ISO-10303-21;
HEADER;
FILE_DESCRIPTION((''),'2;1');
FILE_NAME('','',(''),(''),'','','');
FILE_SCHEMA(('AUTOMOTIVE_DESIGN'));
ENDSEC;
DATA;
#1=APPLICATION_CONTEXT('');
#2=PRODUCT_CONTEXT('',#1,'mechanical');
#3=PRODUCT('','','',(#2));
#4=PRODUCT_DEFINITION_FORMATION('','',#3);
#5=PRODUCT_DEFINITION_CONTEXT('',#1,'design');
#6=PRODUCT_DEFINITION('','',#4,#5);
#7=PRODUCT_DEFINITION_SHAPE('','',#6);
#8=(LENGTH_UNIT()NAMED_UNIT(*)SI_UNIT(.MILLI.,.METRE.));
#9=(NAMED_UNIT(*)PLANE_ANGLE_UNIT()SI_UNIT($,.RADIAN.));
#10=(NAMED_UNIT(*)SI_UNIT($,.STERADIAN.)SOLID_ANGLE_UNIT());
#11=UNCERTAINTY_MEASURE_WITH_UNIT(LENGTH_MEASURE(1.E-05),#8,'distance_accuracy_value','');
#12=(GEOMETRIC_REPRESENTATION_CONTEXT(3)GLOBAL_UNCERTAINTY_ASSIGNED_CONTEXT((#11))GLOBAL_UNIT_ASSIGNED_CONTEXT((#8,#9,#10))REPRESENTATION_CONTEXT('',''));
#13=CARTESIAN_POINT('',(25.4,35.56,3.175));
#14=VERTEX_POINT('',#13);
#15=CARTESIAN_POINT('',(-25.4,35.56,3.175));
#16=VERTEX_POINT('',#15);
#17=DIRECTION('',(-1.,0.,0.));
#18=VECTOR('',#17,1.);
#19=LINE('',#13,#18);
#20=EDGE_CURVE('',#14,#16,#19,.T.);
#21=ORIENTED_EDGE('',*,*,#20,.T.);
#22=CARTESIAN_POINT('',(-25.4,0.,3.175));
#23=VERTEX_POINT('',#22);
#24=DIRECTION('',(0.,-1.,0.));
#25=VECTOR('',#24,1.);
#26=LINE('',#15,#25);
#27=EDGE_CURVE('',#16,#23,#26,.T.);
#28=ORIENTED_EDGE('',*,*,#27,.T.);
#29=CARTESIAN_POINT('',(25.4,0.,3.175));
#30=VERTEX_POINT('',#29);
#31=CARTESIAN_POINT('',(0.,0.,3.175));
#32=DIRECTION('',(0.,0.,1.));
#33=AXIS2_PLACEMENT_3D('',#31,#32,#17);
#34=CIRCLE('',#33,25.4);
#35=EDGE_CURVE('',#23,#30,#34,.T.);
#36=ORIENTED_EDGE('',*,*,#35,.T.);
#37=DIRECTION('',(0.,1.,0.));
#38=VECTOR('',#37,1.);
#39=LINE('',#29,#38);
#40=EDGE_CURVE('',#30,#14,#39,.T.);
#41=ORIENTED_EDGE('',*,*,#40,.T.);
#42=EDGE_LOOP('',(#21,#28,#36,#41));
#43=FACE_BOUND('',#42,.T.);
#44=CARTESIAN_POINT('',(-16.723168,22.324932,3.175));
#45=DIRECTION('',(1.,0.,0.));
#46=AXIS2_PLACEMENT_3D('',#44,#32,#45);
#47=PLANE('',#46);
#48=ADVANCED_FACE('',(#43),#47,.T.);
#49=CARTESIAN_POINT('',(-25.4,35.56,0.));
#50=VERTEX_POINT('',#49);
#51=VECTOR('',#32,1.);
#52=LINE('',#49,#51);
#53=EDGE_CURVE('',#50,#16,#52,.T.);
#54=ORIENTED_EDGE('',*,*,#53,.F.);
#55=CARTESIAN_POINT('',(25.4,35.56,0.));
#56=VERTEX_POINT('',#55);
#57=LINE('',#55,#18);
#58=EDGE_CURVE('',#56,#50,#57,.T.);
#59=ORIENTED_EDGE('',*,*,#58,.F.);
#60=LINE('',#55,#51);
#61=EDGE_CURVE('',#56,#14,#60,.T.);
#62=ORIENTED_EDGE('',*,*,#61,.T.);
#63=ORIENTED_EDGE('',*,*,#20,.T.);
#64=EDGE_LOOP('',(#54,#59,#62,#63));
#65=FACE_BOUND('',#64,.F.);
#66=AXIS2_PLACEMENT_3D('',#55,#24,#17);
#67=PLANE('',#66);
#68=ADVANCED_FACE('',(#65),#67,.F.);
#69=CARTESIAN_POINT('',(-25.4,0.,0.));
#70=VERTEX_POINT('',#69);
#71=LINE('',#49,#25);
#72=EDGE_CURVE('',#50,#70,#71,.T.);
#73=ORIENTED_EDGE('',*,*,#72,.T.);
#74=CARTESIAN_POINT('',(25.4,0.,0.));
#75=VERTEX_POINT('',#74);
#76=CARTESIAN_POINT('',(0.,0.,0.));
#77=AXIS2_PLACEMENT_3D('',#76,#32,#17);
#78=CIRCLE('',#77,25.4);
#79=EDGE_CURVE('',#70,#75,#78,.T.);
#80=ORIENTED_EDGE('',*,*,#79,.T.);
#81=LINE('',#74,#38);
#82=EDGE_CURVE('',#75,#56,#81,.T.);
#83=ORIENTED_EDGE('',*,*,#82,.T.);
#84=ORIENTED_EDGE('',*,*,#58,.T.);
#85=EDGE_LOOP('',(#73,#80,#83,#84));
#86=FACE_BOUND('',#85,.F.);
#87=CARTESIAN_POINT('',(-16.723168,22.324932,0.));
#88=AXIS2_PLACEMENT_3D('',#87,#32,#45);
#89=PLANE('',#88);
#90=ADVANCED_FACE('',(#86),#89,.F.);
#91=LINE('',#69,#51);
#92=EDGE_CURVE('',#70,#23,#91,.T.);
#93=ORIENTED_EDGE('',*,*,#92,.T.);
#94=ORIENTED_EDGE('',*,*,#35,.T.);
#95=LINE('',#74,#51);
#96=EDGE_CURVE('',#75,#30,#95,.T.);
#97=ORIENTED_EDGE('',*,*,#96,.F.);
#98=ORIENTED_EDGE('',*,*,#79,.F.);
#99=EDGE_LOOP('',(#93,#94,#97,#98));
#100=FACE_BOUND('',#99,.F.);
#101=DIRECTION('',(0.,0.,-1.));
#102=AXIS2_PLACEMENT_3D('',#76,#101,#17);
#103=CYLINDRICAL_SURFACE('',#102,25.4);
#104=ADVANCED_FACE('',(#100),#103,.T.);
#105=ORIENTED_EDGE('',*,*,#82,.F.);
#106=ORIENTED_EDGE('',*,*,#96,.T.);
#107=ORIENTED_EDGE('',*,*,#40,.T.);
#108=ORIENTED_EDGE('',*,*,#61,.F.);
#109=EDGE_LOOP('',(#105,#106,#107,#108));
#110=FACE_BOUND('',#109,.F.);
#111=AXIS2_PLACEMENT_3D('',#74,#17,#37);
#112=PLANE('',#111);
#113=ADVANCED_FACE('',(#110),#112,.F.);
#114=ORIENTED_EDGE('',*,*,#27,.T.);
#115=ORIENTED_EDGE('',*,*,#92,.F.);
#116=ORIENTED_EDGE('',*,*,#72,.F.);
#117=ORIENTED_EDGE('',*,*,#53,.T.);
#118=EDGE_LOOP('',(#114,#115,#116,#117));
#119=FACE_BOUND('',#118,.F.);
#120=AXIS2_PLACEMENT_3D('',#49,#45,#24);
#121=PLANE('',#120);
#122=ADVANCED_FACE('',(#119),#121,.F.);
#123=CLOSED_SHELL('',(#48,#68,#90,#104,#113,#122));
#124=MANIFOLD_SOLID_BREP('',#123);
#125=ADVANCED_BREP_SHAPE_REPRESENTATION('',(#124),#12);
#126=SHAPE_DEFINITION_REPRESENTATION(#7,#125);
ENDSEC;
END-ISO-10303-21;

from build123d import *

# Parameters (mm, degrees)
F1_DEPTH = 3.175


with BuildPart() as f1:
    # F0 (on Top) → F1 (new body)
    with BuildSketch(Plane.XY):
        with BuildLine():
            ThreePointArc((-25.4, 0), (-17.9605122421, 17.9605122421), (0, 25.4))
            Line((0, 25.4), (0, 35.56))
            Line((0, 35.56), (-25.4, 35.56))
            Line((-25.4, 35.56), (-25.4, 0))
        make_face()
        with BuildLine():
            Line((0, 35.56), (0, 25.4))
            ThreePointArc((0, 25.4), (17.9605122421, 17.9605122421), (25.4, 0))
            Line((25.4, 0), (25.4, 35.56))
            Line((25.4, 35.56), (0, 35.56))
        make_face()
        with BuildLine():
            Line((-25.4, 0), (0, 0))
            Line((0, 0), (0, 25.4))
            ThreePointArc((0, 25.4), (-17.9605122421, 17.9605122421), (-25.4, 0))
        make_face()
        with BuildLine():
            Line((0, 25.4), (0, 0))
            Line((0, 0), (-25.4, 0))
            ThreePointArc((-25.4, 0), (0, -25.4), (25.4, 0))
            ThreePointArc((25.4, 0), (17.9605122421, 17.9605122421), (0, 25.4))
        make_face()
    extrude(amount=F1_DEPTH)


solid = f1.part
